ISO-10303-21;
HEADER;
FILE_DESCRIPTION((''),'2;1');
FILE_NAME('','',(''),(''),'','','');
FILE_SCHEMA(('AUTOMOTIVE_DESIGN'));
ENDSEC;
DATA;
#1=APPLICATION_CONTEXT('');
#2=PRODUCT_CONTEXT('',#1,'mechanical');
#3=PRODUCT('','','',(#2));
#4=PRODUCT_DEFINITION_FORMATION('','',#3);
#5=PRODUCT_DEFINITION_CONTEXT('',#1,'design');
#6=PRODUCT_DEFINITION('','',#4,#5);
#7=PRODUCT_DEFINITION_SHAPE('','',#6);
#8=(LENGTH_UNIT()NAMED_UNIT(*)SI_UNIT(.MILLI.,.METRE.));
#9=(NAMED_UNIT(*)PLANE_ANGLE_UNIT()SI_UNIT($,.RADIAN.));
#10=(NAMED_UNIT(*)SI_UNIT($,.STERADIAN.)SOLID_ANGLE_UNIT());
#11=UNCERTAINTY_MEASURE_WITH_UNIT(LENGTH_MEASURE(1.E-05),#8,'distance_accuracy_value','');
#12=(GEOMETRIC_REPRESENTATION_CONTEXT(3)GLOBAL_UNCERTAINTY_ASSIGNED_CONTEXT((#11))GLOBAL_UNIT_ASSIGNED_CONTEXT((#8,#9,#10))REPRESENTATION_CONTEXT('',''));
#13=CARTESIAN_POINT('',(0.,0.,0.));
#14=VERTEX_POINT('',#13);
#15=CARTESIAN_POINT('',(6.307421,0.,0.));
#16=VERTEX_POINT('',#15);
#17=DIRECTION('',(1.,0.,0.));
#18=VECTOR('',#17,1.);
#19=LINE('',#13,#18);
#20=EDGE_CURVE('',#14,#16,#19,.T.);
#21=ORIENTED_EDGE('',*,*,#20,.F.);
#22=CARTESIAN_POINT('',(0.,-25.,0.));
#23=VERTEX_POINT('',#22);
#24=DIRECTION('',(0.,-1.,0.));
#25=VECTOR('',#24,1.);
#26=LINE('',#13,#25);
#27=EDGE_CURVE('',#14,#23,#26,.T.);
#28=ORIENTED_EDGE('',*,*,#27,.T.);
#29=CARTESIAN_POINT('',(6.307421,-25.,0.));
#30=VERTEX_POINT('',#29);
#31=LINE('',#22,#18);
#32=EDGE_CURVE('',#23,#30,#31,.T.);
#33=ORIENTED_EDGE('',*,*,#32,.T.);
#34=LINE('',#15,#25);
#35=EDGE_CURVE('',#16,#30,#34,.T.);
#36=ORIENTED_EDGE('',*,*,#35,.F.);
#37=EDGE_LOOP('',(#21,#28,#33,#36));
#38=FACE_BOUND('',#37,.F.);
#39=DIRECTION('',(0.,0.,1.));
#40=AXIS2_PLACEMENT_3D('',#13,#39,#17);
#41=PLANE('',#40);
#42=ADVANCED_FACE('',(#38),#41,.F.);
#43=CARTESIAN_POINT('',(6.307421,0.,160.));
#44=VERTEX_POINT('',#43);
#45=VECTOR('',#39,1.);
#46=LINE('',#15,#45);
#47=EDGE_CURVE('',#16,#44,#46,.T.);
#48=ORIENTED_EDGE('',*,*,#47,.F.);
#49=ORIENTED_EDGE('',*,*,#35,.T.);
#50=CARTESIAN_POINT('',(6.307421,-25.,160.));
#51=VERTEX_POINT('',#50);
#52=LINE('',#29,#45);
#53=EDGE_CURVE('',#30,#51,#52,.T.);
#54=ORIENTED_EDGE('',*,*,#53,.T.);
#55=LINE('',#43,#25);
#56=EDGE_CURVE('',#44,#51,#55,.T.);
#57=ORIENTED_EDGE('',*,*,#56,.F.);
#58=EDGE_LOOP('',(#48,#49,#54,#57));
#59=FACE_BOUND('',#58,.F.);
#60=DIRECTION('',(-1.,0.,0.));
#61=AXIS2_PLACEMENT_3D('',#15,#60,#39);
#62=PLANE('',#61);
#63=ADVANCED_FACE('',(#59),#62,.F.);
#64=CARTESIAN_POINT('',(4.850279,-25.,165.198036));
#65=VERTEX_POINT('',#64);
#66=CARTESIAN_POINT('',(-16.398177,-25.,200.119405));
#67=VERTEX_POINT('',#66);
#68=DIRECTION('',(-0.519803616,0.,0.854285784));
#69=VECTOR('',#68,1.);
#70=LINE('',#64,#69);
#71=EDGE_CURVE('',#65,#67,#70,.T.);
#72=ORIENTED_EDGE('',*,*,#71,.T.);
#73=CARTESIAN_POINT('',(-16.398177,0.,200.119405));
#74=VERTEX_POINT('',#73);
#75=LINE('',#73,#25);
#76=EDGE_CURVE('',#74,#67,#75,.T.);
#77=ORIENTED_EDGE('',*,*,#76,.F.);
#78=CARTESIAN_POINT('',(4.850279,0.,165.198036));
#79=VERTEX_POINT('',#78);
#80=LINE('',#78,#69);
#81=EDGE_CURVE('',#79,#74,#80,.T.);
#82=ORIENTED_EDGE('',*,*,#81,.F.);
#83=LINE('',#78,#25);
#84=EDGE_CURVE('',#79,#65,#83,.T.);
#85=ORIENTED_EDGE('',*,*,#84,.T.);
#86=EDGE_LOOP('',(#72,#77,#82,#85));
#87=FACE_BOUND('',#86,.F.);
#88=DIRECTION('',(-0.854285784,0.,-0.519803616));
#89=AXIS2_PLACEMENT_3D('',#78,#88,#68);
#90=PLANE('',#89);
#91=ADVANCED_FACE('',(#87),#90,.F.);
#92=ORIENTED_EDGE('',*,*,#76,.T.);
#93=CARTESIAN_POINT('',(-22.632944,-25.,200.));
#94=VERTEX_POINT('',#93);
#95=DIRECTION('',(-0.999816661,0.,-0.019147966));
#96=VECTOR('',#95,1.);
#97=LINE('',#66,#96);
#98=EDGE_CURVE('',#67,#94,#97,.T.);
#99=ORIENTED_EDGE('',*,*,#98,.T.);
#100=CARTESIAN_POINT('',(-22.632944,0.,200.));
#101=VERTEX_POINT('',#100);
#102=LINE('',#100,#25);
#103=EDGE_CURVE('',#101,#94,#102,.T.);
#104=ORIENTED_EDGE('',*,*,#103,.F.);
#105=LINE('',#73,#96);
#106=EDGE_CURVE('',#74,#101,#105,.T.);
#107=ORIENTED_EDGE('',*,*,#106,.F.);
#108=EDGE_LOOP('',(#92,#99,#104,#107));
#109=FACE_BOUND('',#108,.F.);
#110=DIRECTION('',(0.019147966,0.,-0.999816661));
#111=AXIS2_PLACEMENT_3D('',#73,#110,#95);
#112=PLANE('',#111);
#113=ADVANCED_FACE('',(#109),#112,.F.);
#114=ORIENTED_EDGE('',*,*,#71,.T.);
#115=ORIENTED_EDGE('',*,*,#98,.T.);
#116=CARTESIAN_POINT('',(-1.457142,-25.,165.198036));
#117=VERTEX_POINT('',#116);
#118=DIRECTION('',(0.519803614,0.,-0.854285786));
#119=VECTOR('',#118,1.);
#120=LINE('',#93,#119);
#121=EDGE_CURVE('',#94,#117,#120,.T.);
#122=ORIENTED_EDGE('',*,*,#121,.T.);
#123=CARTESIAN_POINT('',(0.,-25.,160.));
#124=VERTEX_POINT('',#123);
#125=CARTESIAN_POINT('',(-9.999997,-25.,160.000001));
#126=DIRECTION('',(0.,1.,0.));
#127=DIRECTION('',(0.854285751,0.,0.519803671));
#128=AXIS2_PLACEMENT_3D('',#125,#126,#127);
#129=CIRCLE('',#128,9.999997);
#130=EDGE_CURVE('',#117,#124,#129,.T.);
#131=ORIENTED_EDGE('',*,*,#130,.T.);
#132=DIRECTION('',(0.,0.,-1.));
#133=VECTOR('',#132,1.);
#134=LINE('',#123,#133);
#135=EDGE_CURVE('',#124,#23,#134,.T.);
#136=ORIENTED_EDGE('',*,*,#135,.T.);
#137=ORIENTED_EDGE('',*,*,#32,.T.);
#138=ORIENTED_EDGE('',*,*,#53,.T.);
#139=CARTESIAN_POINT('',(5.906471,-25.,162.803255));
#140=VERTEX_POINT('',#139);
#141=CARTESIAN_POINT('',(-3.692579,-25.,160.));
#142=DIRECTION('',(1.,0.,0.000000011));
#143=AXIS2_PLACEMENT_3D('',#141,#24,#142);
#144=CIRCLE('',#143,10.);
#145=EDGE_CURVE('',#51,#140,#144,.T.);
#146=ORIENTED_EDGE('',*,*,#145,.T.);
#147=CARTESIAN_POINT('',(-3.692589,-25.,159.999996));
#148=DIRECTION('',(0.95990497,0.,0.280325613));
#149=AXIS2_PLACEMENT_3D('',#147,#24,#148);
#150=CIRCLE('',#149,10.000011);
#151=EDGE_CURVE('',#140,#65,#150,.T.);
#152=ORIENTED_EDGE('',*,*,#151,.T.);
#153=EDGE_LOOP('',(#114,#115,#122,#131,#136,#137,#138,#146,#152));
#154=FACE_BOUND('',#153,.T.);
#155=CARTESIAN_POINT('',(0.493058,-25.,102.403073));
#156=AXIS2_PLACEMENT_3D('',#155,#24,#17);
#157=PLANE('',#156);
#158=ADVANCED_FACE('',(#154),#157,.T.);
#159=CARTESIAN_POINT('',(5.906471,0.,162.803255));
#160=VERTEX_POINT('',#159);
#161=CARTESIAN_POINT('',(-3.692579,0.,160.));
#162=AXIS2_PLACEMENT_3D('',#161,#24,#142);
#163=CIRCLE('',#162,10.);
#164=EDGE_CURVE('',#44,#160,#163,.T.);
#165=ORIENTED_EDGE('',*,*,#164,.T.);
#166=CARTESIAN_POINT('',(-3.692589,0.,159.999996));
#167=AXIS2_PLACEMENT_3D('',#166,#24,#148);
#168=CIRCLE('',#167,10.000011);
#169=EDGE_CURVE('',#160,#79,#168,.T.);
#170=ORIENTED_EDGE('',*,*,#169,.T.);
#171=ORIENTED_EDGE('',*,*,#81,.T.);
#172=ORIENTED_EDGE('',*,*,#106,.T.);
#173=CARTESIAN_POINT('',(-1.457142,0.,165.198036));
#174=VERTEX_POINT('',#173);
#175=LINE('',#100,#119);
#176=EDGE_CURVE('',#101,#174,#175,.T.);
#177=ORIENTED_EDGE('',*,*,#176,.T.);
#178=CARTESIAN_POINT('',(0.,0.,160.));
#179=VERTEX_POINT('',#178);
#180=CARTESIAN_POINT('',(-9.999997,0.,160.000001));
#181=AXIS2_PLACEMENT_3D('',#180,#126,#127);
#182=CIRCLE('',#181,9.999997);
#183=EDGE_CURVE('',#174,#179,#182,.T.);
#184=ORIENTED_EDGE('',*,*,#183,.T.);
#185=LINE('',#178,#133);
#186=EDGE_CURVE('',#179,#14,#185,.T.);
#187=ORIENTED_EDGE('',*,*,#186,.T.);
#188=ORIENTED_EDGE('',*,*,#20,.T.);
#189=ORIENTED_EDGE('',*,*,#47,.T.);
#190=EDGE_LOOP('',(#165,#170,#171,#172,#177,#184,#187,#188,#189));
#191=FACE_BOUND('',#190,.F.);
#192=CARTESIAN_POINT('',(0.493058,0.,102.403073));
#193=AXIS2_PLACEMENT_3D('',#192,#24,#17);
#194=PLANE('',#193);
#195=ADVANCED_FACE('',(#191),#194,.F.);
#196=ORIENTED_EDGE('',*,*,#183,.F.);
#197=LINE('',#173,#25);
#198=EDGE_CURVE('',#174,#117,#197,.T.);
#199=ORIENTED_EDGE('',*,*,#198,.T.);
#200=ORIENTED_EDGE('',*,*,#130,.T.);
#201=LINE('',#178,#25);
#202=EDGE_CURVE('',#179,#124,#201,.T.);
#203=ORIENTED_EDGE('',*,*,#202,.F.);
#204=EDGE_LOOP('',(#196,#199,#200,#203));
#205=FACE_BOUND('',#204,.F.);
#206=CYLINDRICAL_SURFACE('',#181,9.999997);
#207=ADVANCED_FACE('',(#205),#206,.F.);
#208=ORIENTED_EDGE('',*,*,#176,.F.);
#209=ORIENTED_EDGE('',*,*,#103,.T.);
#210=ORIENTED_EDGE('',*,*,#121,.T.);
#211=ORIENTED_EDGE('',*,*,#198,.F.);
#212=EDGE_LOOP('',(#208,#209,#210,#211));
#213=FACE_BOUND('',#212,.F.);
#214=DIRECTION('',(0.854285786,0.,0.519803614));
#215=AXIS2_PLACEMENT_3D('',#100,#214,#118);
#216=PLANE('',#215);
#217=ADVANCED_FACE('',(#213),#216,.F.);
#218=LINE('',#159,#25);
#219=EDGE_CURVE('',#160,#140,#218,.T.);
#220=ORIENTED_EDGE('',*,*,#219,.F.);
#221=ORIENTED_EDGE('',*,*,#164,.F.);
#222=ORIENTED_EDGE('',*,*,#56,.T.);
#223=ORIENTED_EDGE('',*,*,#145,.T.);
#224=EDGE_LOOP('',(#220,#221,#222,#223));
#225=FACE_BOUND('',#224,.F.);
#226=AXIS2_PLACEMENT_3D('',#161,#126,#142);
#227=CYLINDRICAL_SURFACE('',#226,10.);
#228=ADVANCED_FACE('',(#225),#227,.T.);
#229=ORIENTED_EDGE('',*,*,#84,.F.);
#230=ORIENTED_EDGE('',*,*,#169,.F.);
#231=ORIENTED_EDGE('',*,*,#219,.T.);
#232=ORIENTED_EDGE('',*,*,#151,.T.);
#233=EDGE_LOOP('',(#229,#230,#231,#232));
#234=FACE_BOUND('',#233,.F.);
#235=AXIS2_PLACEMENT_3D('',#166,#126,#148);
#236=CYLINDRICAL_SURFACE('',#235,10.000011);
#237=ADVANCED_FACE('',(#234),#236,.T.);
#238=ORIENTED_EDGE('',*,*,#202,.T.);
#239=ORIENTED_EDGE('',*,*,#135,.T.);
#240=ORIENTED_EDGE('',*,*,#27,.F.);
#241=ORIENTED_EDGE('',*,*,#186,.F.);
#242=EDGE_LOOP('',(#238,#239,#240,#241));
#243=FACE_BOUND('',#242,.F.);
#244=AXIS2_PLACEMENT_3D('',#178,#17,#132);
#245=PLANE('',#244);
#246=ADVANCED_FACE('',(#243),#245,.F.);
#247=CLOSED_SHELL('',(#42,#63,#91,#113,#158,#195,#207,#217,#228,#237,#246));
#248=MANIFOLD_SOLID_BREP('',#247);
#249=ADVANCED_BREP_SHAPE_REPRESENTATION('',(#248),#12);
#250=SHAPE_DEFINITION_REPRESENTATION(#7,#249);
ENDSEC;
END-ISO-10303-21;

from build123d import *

# Parameters (mm, degrees)
F1_DEPTH = 25


with BuildPart() as f1:
    # F0 (on Front) → F1 (new body)
    with BuildSketch(Plane.XZ):
        with BuildLine():
            ThreePointArc((-1.457142, 165.198036), (-0.371174, 162.699206), (0, 160))
            Line((0, 160), (0, 0))
            Line((0, 0), (6.307421, 0))
            Line((6.307421, 0), (6.307421, 160))
            ThreePointArc((6.307421, 160), (6.206676, 161.415892), (5.906471, 162.803255))
            ThreePointArc((5.906471, 162.803255), (5.457063, 164.03535), (4.850279, 165.198036))
            Line((4.850279, 165.198036), (-16.398177, 200.119405))
            Line((-16.398177, 200.119405), (-22.632944, 200))
            Line((-22.632944, 200), (-1.457142, 165.198036))
        make_face()
    extrude(amount=F1_DEPTH)


solid = f1.part
